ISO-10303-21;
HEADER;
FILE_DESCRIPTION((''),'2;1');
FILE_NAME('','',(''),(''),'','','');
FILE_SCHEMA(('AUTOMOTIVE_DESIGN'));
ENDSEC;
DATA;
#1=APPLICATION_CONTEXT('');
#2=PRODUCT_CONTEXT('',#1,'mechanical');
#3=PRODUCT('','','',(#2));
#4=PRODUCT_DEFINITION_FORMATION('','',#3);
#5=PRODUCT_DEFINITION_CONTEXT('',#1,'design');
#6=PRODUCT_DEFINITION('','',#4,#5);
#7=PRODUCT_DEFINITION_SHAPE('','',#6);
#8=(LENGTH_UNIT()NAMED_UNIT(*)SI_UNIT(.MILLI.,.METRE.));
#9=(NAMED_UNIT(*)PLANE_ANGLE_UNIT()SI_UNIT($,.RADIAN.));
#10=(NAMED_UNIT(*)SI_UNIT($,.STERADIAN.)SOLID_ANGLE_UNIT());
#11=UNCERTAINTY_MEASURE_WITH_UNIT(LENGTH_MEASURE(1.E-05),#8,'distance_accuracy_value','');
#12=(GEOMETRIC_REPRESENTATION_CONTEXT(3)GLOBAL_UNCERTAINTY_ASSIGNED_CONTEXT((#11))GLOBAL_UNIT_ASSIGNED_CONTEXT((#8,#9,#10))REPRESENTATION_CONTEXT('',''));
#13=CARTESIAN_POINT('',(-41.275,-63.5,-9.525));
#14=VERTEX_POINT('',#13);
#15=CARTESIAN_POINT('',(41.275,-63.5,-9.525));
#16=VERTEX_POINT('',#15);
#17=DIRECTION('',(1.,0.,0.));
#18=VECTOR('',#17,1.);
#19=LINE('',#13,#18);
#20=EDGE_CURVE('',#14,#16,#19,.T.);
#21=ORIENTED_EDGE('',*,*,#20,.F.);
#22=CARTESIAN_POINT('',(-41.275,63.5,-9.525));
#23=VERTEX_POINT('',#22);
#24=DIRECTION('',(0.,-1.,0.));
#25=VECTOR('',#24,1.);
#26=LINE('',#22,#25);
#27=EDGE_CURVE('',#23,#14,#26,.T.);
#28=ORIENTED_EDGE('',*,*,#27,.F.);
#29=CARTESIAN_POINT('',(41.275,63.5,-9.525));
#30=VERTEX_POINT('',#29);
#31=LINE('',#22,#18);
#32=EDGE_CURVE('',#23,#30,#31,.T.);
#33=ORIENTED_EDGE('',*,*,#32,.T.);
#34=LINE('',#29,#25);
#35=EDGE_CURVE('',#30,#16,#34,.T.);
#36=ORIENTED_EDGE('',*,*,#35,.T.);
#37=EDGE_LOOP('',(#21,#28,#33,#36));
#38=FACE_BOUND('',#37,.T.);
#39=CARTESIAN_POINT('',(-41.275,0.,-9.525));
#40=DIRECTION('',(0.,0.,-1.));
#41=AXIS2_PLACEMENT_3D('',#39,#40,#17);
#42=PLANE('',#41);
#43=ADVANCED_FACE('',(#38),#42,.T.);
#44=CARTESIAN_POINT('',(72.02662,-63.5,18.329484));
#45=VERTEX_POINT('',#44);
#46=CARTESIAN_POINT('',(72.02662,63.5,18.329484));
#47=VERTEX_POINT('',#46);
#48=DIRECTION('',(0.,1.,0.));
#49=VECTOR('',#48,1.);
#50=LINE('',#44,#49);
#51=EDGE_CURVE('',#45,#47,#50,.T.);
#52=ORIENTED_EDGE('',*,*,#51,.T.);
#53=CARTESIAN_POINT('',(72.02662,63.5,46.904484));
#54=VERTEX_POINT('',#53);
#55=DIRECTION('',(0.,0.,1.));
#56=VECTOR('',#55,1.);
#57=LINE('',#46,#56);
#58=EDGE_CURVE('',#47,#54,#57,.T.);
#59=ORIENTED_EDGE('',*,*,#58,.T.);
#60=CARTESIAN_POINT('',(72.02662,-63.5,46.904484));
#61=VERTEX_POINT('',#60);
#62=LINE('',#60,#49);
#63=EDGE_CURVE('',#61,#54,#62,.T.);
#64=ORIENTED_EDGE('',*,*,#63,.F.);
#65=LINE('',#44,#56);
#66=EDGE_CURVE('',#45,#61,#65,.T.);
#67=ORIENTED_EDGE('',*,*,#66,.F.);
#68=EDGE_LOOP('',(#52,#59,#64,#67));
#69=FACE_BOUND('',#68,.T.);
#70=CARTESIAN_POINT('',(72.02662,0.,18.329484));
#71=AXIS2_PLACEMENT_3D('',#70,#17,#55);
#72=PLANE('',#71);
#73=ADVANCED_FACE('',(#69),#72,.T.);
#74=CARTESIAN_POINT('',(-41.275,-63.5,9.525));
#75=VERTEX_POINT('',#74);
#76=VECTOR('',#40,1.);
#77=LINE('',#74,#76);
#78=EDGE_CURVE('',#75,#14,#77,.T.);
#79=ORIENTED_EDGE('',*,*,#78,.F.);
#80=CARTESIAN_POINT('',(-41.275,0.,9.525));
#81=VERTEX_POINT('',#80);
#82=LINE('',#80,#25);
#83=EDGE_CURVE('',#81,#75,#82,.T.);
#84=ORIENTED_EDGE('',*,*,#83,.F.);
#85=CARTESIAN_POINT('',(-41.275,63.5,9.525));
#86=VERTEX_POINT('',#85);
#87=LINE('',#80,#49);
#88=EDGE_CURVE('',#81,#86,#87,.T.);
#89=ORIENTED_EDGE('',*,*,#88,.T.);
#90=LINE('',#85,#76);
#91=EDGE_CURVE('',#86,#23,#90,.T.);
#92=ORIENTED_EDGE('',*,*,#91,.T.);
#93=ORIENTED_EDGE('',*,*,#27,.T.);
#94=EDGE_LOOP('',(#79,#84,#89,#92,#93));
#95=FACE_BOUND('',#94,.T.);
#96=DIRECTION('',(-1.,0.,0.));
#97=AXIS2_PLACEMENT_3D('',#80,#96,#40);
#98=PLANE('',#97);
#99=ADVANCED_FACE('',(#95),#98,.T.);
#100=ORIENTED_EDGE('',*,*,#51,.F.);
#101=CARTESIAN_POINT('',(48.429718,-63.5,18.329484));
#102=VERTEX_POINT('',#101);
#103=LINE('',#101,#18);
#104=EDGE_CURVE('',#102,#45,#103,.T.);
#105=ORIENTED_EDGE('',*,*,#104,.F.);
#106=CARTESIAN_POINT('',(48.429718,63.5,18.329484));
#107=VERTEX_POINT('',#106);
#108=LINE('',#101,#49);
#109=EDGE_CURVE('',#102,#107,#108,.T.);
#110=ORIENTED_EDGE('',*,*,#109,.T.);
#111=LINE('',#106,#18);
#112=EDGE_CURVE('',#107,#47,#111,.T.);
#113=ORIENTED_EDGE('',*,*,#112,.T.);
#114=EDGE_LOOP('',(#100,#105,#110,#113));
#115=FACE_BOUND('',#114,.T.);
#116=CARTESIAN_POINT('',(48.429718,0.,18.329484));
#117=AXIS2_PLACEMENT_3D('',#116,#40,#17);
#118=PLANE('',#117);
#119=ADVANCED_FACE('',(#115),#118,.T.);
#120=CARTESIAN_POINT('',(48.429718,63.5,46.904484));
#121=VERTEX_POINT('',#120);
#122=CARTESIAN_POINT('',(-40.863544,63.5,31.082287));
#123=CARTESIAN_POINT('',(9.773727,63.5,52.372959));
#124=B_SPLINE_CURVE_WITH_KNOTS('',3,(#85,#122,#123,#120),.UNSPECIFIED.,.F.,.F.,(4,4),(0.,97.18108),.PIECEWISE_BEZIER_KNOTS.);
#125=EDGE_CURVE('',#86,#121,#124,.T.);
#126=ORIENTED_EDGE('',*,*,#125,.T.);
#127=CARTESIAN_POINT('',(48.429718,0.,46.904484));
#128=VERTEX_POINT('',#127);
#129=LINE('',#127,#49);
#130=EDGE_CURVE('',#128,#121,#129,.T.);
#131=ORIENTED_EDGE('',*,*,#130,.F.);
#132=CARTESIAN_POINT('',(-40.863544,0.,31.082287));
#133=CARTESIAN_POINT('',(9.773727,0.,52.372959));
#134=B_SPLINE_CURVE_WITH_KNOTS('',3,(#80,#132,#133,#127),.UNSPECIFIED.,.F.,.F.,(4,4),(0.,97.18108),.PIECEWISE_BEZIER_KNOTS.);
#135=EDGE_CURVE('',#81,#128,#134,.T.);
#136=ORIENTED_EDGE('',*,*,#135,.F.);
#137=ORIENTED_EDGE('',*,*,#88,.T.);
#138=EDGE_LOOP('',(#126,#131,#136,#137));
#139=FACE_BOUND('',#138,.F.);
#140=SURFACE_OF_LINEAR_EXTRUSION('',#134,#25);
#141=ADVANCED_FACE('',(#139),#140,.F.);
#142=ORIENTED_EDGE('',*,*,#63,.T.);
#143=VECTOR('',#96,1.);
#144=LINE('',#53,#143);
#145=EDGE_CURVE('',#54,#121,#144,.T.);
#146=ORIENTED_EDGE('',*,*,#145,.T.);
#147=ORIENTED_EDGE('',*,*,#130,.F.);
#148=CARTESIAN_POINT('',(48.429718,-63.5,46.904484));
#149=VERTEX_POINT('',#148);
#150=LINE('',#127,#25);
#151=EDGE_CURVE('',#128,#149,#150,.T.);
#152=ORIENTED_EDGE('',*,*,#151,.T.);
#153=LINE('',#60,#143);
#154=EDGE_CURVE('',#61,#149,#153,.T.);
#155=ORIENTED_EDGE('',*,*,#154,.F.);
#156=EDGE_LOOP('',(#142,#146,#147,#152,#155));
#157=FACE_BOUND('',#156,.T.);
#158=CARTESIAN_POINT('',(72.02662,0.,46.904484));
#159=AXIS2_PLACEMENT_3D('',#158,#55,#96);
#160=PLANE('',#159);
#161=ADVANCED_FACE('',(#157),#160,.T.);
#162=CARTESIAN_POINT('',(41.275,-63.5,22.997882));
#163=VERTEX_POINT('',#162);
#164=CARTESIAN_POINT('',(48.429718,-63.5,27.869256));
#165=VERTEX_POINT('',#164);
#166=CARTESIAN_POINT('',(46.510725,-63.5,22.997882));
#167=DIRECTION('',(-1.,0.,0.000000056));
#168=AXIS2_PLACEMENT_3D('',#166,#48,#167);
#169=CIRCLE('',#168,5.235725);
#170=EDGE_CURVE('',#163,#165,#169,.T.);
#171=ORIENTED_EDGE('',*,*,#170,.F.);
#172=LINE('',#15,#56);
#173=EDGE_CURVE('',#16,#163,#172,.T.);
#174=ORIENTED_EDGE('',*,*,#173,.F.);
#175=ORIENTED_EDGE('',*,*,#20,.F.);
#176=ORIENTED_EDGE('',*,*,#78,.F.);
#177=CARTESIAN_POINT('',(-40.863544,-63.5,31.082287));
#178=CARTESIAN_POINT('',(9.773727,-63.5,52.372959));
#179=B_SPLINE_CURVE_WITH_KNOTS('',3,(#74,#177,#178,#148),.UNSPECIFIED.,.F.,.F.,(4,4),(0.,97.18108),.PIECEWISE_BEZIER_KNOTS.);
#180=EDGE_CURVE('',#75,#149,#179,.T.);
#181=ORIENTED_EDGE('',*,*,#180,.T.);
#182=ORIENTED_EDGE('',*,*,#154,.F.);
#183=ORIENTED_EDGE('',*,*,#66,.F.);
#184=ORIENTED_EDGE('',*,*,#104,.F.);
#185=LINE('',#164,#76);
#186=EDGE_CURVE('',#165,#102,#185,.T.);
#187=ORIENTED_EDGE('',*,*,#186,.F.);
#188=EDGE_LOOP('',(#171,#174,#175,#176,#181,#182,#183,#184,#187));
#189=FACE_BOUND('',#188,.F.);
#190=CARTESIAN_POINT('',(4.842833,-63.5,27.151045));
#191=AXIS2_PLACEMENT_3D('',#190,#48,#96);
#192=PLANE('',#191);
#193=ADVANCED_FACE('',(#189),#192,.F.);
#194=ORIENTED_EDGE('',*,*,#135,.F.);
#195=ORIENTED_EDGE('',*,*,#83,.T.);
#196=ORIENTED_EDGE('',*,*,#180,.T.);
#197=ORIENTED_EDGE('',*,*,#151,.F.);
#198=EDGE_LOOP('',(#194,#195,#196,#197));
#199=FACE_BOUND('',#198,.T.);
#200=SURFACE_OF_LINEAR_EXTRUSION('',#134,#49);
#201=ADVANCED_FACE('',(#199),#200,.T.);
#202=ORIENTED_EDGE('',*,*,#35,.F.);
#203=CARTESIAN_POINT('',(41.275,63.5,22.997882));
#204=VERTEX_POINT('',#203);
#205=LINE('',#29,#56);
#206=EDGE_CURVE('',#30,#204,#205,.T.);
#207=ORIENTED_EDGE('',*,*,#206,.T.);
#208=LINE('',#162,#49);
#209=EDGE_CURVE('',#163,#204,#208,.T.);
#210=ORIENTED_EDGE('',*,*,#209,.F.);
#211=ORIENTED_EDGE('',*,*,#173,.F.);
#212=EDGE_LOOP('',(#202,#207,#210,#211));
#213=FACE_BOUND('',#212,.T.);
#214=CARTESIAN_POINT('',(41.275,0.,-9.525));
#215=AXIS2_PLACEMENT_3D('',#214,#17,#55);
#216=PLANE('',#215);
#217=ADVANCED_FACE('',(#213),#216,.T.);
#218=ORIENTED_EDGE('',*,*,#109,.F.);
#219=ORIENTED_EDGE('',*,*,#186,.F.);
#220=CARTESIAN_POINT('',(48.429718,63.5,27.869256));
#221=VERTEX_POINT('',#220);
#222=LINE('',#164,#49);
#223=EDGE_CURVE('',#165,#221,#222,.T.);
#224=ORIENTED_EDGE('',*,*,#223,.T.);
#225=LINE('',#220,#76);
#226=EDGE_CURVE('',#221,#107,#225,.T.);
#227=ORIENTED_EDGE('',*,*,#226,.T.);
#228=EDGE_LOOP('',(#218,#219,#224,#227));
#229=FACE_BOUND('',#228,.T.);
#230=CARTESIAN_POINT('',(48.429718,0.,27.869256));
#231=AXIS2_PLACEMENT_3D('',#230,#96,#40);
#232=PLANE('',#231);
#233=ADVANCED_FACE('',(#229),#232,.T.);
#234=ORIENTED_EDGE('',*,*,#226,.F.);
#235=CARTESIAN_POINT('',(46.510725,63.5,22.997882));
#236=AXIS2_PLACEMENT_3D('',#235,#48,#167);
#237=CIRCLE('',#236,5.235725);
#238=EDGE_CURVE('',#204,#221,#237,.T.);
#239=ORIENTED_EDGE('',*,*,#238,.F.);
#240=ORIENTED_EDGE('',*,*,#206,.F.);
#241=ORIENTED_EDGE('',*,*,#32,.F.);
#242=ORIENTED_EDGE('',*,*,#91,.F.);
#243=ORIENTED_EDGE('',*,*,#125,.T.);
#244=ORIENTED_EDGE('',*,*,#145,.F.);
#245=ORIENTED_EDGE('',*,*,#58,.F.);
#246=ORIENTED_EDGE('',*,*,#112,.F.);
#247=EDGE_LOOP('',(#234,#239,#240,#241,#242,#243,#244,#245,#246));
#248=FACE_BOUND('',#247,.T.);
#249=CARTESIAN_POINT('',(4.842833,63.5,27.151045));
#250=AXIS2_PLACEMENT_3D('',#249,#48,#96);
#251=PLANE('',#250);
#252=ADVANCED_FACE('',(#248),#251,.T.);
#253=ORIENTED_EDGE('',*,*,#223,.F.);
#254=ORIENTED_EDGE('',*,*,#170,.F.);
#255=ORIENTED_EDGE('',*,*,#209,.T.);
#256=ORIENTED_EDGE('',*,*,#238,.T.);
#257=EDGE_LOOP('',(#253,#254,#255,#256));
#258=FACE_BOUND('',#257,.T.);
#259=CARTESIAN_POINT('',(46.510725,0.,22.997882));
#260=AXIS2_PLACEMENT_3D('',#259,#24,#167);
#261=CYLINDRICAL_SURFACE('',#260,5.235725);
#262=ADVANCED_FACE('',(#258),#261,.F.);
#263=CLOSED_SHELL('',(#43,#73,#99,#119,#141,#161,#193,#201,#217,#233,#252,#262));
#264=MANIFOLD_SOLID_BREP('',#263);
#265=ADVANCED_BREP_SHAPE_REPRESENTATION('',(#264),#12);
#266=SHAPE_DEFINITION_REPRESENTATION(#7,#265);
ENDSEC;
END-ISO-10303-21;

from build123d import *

# Parameters (mm, degrees)
F1_DEPTH = 63.5


with BuildPart() as f1:
    # F0 (on Front) → F1 (new body, symmetric)
    with BuildSketch(Plane.XZ):
        with BuildLine():
            add(Edge.make_bspline(
                [(-41.275, 9.525), (-40.863544, 31.082287), (9.773727, 52.372959), (48.429718, 46.904484)],
                knots=[0, 0, 0, 0, 97.18108, 97.18108, 97.18108, 97.18108], degree=3))
            Line((-41.275, 9.525), (25.213744, 9.525))
            Line((25.213744, 9.525), (25.213744, 22.997882))
            ThreePointArc((25.213744, 22.997882), (32.145966, 38.720956), (48.429718, 44.20823))
            Line((48.429718, 44.20823), (48.429718, 46.904484))
        make_face()
        Polygon((25.213744, 9.525), (-41.275, 9.525), (-41.275, -9.525), (41.275, -9.525), (41.275, 9.525), align=None)
        with BuildLine():
            Line((25.213744, 22.997882), (25.213744, 9.525))
            Line((25.213744, 9.525), (41.275, 9.525))
            Line((41.275, 9.525), (41.275, 22.997882))
            ThreePointArc((41.275, 22.997882), (43.564075, 27.325707), (48.429718, 27.869256))
            Line((48.429718, 27.869256), (48.429718, 44.20823))
            ThreePointArc((48.429718, 44.20823), (32.145966, 38.720956), (25.213744, 22.997882))
        make_face()
        Polygon((72.02662, 46.904484), (48.429718, 46.904484), (48.429718, 44.20823), (48.429718, 27.869256), (48.429718, 18.329484), (72.02662, 18.329484), align=None)
    extrude(amount=F1_DEPTH, both=True)


solid = f1.part
